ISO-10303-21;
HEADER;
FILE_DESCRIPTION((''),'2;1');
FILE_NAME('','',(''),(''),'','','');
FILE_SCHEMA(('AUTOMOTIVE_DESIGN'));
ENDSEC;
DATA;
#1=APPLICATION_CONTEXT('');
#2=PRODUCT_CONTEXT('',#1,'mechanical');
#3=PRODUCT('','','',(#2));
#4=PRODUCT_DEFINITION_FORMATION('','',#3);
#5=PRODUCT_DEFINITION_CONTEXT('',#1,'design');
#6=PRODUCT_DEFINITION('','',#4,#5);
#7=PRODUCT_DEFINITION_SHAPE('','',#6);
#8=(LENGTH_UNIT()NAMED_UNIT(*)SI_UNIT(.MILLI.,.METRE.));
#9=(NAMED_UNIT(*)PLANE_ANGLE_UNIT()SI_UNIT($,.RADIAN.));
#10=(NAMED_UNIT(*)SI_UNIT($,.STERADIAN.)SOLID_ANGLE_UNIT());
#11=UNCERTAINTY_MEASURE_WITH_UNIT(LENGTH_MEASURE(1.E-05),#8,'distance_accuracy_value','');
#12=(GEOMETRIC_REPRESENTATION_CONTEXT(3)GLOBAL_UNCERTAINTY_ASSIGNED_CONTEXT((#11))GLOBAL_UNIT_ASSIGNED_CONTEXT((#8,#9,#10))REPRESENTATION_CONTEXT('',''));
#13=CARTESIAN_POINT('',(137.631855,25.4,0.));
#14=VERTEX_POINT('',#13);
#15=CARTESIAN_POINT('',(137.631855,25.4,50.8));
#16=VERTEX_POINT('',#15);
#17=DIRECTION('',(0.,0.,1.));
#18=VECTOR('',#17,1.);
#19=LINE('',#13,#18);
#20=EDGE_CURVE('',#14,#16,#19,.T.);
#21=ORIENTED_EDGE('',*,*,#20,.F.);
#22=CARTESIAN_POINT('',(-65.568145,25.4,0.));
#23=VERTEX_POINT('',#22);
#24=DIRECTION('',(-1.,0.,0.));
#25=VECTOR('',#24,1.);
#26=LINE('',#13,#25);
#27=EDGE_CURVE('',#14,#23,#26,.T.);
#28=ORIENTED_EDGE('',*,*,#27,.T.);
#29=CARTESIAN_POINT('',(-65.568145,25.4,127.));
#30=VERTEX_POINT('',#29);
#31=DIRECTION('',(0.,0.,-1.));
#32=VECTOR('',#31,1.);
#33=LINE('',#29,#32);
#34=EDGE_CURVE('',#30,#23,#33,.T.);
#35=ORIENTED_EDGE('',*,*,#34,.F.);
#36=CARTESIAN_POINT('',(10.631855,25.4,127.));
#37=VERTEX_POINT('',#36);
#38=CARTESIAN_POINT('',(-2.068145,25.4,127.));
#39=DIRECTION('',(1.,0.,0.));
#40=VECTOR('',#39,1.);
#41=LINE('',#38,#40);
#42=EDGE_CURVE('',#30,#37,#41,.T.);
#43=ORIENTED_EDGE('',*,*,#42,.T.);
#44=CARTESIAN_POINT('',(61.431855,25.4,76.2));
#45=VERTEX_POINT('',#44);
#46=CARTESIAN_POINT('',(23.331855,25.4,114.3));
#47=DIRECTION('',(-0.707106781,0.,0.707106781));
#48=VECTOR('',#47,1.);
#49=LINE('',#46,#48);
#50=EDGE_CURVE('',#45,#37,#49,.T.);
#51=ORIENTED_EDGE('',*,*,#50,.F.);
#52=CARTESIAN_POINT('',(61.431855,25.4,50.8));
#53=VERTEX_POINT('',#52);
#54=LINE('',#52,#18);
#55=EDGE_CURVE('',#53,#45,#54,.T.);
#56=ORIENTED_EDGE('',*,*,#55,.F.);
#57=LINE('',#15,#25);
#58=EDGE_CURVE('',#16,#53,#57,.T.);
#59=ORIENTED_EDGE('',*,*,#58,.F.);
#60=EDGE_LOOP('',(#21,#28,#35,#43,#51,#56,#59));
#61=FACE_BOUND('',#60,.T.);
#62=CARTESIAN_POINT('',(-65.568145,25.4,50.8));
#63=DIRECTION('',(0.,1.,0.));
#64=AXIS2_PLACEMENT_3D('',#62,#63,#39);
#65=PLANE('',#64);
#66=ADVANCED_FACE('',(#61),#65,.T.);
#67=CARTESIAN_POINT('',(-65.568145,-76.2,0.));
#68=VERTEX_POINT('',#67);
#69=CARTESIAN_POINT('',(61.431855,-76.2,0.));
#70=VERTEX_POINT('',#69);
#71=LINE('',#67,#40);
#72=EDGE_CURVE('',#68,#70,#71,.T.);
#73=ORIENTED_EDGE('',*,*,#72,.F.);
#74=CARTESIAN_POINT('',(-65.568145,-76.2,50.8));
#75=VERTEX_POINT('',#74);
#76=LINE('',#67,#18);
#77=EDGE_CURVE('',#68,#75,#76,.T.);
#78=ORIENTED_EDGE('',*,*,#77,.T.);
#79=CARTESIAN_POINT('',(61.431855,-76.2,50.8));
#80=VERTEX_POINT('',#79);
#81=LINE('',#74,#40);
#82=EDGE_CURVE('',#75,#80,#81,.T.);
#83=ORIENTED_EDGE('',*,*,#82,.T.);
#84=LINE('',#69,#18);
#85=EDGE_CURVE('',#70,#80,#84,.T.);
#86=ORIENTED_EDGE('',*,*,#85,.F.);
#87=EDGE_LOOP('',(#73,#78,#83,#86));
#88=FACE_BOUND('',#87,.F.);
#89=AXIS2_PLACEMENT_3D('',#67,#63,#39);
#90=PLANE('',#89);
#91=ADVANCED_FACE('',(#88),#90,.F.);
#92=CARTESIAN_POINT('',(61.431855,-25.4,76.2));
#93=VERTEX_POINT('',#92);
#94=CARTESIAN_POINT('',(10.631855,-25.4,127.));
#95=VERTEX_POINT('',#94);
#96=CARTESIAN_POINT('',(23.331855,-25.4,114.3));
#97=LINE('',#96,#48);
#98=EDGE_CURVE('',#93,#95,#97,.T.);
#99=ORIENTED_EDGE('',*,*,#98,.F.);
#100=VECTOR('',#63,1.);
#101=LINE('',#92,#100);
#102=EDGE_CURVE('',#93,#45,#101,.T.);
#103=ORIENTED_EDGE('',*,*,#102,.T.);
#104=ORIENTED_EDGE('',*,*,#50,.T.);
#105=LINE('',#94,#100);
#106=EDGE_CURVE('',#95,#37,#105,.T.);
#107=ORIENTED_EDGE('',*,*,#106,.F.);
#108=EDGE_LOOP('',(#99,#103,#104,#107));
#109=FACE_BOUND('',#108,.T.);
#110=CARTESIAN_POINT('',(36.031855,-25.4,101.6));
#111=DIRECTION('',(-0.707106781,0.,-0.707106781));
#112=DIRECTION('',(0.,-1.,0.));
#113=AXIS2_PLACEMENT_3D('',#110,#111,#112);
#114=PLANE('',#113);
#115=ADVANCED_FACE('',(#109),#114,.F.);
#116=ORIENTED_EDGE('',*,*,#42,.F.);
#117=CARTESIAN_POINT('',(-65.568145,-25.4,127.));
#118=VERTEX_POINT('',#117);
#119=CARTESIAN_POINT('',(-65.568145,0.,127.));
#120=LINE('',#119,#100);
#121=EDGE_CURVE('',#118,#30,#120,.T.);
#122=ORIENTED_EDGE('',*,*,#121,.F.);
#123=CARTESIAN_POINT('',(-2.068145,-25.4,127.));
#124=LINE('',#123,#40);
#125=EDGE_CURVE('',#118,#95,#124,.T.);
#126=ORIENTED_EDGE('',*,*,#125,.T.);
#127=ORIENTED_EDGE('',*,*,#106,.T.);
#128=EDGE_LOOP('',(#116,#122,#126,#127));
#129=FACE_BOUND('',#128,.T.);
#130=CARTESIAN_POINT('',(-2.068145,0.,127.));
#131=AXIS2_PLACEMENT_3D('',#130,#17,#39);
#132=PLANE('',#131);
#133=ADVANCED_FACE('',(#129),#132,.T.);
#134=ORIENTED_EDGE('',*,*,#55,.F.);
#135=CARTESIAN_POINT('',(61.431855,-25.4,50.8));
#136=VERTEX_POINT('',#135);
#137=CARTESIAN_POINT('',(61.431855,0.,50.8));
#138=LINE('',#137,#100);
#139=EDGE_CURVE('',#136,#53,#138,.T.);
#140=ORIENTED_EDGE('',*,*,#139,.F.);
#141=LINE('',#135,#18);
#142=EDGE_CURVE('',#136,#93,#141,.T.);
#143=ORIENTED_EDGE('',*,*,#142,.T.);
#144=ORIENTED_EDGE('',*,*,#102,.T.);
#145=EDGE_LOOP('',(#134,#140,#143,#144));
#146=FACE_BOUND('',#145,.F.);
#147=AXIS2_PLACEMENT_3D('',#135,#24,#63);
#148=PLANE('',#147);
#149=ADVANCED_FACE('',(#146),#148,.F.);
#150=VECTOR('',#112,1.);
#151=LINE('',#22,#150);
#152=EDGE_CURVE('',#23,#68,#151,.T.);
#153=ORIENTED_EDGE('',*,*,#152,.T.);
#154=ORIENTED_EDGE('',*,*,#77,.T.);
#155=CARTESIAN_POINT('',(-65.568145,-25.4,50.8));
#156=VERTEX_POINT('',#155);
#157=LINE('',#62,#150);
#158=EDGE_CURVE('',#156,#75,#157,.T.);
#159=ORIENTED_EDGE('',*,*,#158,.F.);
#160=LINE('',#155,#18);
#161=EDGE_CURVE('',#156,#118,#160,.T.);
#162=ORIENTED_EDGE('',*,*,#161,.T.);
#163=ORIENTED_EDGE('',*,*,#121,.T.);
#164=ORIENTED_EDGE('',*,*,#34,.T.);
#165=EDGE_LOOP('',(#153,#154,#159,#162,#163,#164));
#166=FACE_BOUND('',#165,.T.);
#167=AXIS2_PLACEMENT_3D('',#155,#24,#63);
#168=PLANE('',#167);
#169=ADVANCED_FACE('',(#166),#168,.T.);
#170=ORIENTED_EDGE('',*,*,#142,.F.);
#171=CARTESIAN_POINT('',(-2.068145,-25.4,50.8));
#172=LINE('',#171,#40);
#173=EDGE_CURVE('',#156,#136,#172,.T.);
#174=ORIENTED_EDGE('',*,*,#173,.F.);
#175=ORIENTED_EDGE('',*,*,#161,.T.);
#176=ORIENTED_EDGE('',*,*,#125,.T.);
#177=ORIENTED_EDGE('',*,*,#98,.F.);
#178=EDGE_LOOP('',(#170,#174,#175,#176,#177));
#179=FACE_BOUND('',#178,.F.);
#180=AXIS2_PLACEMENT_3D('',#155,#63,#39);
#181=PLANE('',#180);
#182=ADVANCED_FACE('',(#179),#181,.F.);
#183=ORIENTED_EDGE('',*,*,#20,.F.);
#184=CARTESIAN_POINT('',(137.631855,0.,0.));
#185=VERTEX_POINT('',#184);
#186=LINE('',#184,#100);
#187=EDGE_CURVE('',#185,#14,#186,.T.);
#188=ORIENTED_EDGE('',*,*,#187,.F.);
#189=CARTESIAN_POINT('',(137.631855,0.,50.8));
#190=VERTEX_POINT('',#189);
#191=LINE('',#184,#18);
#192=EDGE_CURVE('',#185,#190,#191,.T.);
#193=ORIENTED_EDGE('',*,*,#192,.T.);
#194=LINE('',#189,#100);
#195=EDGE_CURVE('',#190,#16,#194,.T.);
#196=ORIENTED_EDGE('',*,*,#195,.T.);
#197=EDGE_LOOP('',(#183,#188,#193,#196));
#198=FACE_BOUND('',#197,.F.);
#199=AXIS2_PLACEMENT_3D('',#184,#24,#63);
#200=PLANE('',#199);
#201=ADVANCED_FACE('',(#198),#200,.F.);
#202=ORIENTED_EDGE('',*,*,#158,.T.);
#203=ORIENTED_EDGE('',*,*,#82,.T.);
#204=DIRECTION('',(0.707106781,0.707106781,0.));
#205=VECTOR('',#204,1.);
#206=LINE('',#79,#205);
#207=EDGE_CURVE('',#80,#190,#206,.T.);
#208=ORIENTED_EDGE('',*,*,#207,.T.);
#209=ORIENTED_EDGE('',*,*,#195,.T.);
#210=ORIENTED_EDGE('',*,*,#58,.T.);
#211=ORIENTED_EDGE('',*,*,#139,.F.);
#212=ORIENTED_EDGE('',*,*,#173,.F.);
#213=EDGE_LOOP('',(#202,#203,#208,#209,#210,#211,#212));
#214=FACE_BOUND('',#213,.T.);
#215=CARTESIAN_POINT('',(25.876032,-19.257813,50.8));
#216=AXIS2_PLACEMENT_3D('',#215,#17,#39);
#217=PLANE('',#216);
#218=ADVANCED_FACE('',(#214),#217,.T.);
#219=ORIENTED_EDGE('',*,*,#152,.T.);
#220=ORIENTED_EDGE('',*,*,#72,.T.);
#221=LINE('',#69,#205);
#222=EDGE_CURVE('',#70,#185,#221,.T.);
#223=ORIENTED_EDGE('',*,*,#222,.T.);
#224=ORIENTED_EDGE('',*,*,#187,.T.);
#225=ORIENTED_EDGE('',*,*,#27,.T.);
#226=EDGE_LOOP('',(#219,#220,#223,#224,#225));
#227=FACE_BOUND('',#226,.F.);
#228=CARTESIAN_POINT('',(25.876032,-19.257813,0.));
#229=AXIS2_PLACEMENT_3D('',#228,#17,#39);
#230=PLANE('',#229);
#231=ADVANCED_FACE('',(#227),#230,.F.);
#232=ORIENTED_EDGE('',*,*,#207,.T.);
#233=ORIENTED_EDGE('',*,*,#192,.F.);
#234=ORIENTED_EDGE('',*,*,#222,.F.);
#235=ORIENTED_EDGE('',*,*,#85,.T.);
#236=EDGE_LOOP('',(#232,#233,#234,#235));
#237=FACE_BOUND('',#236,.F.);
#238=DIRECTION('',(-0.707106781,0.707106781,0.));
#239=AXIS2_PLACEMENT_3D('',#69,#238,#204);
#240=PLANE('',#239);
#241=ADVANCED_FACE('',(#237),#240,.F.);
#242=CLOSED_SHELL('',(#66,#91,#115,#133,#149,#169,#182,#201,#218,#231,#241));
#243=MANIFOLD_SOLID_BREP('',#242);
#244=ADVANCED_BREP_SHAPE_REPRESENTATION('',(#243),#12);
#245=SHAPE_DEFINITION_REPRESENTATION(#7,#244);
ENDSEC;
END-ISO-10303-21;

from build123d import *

# Parameters (mm, degrees)
F1_DEPTH = 50.8
F2_W     = 127
F2_H     = 50.8
F3_DEPTH = 76.2
F4_SIZE  = 50.8


with BuildPart() as f1:
    # F0 (on Top) → F1 (new body)
    with BuildSketch(Plane.XY):
        Polygon((-65.568145, 25.4), (-65.568145, -76.2), (61.431855, -76.2), (137.631855, 0), (137.631855, 25.4), align=None)
    extrude(amount=F1_DEPTH)

    # F2 (on face) → F3 (join)
    with BuildSketch(Plane.XY.offset(50.8)):
        with Locations((-2.068145, 0)):
            Rectangle(F2_W, F2_H)
    extrude(amount=F3_DEPTH)

    # F4
    f4_edges = [f1.edges().sort_by_distance(p)[0] for p in [
        (61.431855, 0, 127),
    ]]
    chamfer(f4_edges, length=F4_SIZE)


solid = f1.part
